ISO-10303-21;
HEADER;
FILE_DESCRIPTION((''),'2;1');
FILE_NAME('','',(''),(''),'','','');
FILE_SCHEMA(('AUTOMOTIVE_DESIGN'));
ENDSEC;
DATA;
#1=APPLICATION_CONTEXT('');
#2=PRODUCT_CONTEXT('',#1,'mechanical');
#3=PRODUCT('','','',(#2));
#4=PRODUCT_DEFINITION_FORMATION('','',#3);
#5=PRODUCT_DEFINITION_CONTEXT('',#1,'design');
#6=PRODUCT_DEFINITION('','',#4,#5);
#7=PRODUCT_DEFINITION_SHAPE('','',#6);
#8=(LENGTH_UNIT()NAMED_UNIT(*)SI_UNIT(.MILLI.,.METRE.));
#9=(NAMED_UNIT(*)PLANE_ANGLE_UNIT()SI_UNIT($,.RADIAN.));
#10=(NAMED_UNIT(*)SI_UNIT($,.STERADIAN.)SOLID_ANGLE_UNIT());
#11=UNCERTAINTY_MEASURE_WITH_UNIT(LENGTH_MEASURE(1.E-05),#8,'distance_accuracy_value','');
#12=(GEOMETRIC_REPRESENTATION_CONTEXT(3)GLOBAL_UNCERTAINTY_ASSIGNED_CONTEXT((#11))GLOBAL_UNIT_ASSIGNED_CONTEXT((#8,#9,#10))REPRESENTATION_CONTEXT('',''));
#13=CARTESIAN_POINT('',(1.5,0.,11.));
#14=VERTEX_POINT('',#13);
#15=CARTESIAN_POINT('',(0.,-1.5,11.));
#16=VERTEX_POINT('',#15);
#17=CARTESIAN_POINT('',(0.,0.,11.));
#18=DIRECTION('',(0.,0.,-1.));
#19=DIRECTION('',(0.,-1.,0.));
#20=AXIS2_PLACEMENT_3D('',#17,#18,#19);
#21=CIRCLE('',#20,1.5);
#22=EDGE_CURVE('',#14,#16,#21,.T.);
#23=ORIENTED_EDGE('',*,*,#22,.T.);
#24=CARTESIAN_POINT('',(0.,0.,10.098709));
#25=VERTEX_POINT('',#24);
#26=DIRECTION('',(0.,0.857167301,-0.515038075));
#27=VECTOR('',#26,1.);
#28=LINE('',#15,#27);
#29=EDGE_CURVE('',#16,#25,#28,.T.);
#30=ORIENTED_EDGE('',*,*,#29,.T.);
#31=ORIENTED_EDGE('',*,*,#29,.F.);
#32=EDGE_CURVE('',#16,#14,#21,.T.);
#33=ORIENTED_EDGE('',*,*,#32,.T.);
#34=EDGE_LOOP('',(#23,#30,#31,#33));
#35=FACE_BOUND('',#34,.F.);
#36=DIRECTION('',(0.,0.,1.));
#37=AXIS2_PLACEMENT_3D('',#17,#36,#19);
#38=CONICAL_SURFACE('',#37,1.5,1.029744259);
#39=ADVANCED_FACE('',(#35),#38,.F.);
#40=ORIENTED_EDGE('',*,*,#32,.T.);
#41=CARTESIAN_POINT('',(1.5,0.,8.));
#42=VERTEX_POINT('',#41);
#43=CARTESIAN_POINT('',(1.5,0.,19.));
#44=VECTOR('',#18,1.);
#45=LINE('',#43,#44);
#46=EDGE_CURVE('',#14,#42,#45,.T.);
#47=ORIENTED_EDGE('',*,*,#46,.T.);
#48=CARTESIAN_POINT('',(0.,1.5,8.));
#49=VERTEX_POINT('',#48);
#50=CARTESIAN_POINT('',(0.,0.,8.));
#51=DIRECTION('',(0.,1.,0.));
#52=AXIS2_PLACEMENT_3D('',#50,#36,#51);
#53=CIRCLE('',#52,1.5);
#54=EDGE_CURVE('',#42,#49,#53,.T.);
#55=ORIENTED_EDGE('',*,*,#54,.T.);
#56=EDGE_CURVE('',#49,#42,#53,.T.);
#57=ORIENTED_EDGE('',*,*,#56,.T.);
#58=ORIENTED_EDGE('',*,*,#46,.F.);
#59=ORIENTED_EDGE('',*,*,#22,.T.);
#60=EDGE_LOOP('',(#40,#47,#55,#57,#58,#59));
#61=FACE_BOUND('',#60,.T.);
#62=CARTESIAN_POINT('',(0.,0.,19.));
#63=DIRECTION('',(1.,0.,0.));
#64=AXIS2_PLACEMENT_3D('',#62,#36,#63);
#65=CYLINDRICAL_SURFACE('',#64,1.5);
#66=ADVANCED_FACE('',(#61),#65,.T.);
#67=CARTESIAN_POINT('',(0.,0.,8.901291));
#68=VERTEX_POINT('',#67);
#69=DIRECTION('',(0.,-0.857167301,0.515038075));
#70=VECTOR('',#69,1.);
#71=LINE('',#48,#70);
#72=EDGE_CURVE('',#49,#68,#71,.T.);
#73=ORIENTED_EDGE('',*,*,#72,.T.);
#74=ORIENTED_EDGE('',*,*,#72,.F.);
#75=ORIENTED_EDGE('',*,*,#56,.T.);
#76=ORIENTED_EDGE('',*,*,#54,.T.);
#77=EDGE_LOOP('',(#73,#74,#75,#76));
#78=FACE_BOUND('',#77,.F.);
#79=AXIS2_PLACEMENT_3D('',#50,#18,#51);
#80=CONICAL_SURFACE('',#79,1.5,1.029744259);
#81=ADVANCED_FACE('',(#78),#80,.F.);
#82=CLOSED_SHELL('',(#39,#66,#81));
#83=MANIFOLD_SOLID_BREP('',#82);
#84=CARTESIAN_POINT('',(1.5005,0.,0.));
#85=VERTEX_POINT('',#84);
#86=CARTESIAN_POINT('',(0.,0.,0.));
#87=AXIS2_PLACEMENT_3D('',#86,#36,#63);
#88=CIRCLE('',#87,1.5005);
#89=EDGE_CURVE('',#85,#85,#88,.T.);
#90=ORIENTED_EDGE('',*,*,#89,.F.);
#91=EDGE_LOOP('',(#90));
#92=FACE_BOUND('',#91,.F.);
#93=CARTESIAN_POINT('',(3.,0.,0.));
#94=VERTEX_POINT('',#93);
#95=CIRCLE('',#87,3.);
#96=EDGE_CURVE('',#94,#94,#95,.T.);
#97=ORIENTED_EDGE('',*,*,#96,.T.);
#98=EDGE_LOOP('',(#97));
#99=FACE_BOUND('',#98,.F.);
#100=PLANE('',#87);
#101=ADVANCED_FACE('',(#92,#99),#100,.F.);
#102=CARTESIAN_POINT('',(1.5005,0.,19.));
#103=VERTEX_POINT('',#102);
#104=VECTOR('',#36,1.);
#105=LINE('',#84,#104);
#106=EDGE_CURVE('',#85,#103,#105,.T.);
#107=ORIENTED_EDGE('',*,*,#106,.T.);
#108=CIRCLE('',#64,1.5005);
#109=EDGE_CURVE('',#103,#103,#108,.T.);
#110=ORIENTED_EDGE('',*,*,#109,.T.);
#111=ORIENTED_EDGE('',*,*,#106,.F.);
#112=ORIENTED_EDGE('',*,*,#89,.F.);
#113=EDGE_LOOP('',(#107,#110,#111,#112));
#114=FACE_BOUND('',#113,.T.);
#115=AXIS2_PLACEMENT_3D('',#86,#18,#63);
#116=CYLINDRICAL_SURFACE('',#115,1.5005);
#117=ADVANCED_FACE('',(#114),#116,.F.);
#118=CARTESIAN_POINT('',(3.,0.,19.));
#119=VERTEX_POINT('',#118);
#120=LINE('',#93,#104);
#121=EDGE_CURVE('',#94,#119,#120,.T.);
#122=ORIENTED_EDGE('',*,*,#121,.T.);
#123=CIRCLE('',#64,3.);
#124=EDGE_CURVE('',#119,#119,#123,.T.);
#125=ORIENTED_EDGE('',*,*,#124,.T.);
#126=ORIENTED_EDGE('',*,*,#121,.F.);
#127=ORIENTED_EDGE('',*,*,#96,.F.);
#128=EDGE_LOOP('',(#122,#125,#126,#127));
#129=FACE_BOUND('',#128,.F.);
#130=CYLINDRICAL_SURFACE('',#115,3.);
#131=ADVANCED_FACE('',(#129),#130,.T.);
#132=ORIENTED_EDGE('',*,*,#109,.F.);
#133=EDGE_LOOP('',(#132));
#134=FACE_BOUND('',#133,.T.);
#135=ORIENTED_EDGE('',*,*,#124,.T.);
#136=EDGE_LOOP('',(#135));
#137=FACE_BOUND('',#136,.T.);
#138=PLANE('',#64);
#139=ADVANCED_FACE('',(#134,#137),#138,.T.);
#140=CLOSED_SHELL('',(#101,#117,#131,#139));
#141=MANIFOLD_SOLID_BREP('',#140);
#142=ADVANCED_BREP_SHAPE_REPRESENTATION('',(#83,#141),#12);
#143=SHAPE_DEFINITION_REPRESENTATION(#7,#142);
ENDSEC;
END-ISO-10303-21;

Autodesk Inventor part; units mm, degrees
ref_plane "YZ Plane" through (0, 0, 0) normal (1, 0, 0) x (0, 1, 0)
ref_plane "XZ Plane" through (0, 0, 0) normal (0, 1, 0) x (-1, 0, 0)
ref_plane "XY Plane" through (0, 0, 0) normal (0, 0, 1) x (1, 0, 0)
sketch "スケッチ1" plane through (0, 0, 0) normal (0, 0, 1) x (1, 0, 0)
  circle A0 centre (0, 0) radius 3
  circle A1 centre (0, 0) radius 1.5005
  dimension "d0" = 6
  dimension "d1" = 3.001
extrude "押し出し1" add sketch "スケッチ1" along normal blind 19
sketch "スケッチ2" plane through (0, 0, 19) normal (0, 0, 1) x (1, 0, 0)
  circle A0 centre (0, 0) radius 1.5
  dimension "d4" = 3
extrude "押し出し2" add sketch "スケッチ2" against normal blind 19
hole "穴1" at (0, 0, 19) direction (0, 0, -1) diameter 3 depth 8 tip angle 118
hole "穴2" at (0, 0, 0) direction (0, 0, 1) diameter 3 depth 8 tip angle 118
properties part number "スペーサーm3-19　簡易筒型" material "アルミニウム 2014-T4"
